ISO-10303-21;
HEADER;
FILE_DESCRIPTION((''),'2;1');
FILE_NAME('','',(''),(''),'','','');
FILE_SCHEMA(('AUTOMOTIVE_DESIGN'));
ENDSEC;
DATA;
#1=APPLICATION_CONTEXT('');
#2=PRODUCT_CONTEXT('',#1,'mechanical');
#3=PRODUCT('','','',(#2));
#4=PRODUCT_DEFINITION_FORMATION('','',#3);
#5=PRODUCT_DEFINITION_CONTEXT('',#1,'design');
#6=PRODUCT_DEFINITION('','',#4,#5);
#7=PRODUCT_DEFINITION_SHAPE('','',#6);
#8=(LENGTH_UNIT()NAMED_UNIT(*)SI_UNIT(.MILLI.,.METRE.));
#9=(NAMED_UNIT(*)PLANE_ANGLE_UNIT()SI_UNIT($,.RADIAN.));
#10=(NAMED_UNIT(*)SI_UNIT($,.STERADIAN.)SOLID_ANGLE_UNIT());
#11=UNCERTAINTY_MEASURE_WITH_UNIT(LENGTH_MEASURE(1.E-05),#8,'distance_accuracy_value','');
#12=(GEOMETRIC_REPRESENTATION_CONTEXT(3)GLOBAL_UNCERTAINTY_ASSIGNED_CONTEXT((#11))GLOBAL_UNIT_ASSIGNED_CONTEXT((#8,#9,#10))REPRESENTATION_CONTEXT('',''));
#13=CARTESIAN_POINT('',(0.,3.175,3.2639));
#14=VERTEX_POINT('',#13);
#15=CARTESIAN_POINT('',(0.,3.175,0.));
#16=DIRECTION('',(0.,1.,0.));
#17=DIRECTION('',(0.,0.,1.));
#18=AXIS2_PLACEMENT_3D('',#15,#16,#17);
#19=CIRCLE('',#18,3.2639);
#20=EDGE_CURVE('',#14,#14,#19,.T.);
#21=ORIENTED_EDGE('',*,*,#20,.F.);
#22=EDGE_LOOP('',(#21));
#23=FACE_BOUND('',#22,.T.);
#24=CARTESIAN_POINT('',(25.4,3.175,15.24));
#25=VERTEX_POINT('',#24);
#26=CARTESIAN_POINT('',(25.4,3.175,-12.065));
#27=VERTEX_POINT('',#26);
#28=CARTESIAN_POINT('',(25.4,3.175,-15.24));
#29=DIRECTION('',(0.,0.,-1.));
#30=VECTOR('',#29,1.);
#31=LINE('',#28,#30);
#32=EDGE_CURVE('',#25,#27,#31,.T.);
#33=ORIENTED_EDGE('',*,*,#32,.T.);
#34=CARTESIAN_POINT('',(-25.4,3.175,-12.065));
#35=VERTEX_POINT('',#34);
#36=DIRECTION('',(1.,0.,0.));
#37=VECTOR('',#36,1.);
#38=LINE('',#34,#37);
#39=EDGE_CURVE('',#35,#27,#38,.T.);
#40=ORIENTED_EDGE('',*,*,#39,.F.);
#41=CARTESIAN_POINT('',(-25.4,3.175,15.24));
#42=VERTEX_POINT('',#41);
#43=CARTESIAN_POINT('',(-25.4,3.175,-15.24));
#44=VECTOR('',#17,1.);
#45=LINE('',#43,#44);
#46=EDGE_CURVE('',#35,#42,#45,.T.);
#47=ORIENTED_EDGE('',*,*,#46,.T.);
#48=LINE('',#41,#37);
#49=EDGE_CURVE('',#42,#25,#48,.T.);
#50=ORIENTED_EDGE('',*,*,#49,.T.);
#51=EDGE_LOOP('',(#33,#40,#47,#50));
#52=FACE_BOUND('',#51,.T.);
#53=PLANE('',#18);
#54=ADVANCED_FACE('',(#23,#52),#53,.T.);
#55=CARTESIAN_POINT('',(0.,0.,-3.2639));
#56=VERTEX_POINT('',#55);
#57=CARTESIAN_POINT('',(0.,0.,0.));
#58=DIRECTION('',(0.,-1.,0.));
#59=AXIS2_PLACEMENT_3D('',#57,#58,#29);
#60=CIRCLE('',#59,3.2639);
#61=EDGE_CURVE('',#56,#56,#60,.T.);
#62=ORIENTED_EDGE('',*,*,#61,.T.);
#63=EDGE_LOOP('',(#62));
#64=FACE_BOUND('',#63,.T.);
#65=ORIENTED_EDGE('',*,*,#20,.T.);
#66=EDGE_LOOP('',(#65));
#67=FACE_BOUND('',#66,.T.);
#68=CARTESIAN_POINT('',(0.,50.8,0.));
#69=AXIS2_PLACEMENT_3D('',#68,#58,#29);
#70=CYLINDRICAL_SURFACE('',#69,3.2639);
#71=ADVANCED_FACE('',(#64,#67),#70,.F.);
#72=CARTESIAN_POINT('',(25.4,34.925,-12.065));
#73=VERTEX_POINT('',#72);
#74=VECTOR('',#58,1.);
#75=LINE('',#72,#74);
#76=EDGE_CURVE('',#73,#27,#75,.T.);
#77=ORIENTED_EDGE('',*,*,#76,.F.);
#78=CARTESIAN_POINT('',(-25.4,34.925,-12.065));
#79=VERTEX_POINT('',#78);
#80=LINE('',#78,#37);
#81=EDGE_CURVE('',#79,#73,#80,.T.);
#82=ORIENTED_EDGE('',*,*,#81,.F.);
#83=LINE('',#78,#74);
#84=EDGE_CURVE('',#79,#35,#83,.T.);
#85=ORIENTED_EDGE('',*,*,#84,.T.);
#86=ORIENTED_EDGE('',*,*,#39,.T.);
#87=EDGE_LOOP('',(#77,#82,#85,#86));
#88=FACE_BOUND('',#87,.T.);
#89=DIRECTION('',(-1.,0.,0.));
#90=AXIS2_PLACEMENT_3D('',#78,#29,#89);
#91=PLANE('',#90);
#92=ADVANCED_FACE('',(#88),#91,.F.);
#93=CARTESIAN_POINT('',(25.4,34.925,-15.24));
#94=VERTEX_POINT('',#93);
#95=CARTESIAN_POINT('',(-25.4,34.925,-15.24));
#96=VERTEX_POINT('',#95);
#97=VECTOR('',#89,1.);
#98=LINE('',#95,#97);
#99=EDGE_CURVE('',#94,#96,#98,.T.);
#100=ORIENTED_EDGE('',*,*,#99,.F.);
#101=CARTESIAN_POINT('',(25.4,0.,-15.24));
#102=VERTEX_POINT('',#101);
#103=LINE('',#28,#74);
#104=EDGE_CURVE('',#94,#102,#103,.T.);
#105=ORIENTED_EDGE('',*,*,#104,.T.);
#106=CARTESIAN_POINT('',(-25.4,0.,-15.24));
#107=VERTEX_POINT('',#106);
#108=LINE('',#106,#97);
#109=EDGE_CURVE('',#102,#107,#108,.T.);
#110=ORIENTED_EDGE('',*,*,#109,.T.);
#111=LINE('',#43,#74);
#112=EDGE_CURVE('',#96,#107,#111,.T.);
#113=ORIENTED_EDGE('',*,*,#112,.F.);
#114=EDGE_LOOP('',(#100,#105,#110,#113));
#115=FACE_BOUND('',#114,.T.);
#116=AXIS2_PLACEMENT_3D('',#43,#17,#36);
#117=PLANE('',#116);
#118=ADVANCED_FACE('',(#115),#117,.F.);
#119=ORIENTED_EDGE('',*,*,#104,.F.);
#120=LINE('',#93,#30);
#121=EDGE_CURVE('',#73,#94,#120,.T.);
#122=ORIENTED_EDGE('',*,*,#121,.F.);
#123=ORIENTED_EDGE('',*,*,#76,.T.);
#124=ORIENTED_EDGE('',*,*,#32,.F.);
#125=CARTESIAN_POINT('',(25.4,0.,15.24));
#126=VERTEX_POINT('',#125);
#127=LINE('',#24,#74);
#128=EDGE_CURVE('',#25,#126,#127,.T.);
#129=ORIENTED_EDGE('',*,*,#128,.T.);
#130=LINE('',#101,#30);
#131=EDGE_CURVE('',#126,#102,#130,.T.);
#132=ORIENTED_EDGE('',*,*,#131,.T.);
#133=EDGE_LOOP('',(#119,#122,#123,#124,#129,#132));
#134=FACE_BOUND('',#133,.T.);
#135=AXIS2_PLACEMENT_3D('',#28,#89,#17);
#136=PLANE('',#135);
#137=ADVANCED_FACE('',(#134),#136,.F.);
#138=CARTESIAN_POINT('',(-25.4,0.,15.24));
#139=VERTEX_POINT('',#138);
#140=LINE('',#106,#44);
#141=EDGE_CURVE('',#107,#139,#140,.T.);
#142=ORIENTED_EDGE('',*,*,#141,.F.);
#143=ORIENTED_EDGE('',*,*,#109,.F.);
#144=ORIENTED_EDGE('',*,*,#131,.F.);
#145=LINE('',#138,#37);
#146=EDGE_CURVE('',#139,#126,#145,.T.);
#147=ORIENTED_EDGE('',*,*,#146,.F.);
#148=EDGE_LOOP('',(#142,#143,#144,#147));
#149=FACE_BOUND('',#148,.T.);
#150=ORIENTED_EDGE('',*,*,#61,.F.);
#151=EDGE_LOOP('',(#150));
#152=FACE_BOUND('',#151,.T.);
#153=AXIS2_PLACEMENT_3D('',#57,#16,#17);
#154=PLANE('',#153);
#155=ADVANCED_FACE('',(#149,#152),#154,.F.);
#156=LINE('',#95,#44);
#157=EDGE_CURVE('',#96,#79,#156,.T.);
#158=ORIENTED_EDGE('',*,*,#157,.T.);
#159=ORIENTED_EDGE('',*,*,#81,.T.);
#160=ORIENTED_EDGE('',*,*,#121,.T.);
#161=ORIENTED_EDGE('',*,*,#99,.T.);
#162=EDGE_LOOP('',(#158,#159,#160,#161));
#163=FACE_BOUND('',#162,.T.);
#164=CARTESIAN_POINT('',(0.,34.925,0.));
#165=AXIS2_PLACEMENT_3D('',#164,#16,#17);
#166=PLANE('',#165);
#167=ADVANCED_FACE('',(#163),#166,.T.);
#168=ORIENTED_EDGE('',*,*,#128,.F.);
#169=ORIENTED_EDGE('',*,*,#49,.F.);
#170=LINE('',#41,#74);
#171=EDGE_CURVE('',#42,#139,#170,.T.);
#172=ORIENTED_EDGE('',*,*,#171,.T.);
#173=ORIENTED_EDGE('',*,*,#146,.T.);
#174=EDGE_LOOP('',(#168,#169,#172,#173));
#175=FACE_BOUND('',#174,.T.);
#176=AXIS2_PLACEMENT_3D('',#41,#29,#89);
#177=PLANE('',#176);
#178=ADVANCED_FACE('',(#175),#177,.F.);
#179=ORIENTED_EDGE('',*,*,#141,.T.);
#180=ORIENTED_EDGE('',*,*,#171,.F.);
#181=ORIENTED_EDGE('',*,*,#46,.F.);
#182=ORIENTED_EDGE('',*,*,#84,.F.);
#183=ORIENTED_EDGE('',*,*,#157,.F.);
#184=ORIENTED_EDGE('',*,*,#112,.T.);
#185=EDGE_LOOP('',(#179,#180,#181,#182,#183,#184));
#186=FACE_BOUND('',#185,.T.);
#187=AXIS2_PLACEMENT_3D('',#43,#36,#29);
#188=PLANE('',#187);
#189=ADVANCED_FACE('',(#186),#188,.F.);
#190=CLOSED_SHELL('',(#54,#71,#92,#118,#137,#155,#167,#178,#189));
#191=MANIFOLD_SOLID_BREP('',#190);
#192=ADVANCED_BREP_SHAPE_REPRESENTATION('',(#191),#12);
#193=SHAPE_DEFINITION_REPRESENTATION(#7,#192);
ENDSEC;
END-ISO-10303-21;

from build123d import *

# Parameters (mm, degrees)
SKETCH1_W           = 50.8
SKETCH1_H           = 30.48
BOSS_EXTRUDE1_DEPTH = 3.175
SKETCH2_W           = 50.8
SKETCH2_H           = 3.175
BOSS_EXTRUDE2_DEPTH = 31.75
SKETCH3_R           = 3.2639
CUT_EXTRUDE1_DEPTH  = 50.8


with BuildPart() as part:
    # Sketch1 → Boss-Extrude1 (new body)
    with BuildSketch(Plane(origin=(0, 0, 0), x_dir=(1, 0, 0), z_dir=(0, 1, 0))):
        Rectangle(SKETCH1_W, SKETCH1_H)
    extrude(amount=BOSS_EXTRUDE1_DEPTH)

    # Sketch2 → Boss-Extrude2 (add)
    with BuildSketch(Plane(origin=(0, 3.175, 0), x_dir=(1, 0, 0), z_dir=(0, 1, 0))):
        with Locations((0, 13.6525)):
            Rectangle(SKETCH2_W, SKETCH2_H)
    extrude(amount=BOSS_EXTRUDE2_DEPTH)

    # Sketch3 → Cut-Extrude1 (cut)
    with BuildSketch(Plane.XZ):
        Circle(SKETCH3_R)
    extrude(amount=-CUT_EXTRUDE1_DEPTH, mode=Mode.SUBTRACT)


solid = part.part
